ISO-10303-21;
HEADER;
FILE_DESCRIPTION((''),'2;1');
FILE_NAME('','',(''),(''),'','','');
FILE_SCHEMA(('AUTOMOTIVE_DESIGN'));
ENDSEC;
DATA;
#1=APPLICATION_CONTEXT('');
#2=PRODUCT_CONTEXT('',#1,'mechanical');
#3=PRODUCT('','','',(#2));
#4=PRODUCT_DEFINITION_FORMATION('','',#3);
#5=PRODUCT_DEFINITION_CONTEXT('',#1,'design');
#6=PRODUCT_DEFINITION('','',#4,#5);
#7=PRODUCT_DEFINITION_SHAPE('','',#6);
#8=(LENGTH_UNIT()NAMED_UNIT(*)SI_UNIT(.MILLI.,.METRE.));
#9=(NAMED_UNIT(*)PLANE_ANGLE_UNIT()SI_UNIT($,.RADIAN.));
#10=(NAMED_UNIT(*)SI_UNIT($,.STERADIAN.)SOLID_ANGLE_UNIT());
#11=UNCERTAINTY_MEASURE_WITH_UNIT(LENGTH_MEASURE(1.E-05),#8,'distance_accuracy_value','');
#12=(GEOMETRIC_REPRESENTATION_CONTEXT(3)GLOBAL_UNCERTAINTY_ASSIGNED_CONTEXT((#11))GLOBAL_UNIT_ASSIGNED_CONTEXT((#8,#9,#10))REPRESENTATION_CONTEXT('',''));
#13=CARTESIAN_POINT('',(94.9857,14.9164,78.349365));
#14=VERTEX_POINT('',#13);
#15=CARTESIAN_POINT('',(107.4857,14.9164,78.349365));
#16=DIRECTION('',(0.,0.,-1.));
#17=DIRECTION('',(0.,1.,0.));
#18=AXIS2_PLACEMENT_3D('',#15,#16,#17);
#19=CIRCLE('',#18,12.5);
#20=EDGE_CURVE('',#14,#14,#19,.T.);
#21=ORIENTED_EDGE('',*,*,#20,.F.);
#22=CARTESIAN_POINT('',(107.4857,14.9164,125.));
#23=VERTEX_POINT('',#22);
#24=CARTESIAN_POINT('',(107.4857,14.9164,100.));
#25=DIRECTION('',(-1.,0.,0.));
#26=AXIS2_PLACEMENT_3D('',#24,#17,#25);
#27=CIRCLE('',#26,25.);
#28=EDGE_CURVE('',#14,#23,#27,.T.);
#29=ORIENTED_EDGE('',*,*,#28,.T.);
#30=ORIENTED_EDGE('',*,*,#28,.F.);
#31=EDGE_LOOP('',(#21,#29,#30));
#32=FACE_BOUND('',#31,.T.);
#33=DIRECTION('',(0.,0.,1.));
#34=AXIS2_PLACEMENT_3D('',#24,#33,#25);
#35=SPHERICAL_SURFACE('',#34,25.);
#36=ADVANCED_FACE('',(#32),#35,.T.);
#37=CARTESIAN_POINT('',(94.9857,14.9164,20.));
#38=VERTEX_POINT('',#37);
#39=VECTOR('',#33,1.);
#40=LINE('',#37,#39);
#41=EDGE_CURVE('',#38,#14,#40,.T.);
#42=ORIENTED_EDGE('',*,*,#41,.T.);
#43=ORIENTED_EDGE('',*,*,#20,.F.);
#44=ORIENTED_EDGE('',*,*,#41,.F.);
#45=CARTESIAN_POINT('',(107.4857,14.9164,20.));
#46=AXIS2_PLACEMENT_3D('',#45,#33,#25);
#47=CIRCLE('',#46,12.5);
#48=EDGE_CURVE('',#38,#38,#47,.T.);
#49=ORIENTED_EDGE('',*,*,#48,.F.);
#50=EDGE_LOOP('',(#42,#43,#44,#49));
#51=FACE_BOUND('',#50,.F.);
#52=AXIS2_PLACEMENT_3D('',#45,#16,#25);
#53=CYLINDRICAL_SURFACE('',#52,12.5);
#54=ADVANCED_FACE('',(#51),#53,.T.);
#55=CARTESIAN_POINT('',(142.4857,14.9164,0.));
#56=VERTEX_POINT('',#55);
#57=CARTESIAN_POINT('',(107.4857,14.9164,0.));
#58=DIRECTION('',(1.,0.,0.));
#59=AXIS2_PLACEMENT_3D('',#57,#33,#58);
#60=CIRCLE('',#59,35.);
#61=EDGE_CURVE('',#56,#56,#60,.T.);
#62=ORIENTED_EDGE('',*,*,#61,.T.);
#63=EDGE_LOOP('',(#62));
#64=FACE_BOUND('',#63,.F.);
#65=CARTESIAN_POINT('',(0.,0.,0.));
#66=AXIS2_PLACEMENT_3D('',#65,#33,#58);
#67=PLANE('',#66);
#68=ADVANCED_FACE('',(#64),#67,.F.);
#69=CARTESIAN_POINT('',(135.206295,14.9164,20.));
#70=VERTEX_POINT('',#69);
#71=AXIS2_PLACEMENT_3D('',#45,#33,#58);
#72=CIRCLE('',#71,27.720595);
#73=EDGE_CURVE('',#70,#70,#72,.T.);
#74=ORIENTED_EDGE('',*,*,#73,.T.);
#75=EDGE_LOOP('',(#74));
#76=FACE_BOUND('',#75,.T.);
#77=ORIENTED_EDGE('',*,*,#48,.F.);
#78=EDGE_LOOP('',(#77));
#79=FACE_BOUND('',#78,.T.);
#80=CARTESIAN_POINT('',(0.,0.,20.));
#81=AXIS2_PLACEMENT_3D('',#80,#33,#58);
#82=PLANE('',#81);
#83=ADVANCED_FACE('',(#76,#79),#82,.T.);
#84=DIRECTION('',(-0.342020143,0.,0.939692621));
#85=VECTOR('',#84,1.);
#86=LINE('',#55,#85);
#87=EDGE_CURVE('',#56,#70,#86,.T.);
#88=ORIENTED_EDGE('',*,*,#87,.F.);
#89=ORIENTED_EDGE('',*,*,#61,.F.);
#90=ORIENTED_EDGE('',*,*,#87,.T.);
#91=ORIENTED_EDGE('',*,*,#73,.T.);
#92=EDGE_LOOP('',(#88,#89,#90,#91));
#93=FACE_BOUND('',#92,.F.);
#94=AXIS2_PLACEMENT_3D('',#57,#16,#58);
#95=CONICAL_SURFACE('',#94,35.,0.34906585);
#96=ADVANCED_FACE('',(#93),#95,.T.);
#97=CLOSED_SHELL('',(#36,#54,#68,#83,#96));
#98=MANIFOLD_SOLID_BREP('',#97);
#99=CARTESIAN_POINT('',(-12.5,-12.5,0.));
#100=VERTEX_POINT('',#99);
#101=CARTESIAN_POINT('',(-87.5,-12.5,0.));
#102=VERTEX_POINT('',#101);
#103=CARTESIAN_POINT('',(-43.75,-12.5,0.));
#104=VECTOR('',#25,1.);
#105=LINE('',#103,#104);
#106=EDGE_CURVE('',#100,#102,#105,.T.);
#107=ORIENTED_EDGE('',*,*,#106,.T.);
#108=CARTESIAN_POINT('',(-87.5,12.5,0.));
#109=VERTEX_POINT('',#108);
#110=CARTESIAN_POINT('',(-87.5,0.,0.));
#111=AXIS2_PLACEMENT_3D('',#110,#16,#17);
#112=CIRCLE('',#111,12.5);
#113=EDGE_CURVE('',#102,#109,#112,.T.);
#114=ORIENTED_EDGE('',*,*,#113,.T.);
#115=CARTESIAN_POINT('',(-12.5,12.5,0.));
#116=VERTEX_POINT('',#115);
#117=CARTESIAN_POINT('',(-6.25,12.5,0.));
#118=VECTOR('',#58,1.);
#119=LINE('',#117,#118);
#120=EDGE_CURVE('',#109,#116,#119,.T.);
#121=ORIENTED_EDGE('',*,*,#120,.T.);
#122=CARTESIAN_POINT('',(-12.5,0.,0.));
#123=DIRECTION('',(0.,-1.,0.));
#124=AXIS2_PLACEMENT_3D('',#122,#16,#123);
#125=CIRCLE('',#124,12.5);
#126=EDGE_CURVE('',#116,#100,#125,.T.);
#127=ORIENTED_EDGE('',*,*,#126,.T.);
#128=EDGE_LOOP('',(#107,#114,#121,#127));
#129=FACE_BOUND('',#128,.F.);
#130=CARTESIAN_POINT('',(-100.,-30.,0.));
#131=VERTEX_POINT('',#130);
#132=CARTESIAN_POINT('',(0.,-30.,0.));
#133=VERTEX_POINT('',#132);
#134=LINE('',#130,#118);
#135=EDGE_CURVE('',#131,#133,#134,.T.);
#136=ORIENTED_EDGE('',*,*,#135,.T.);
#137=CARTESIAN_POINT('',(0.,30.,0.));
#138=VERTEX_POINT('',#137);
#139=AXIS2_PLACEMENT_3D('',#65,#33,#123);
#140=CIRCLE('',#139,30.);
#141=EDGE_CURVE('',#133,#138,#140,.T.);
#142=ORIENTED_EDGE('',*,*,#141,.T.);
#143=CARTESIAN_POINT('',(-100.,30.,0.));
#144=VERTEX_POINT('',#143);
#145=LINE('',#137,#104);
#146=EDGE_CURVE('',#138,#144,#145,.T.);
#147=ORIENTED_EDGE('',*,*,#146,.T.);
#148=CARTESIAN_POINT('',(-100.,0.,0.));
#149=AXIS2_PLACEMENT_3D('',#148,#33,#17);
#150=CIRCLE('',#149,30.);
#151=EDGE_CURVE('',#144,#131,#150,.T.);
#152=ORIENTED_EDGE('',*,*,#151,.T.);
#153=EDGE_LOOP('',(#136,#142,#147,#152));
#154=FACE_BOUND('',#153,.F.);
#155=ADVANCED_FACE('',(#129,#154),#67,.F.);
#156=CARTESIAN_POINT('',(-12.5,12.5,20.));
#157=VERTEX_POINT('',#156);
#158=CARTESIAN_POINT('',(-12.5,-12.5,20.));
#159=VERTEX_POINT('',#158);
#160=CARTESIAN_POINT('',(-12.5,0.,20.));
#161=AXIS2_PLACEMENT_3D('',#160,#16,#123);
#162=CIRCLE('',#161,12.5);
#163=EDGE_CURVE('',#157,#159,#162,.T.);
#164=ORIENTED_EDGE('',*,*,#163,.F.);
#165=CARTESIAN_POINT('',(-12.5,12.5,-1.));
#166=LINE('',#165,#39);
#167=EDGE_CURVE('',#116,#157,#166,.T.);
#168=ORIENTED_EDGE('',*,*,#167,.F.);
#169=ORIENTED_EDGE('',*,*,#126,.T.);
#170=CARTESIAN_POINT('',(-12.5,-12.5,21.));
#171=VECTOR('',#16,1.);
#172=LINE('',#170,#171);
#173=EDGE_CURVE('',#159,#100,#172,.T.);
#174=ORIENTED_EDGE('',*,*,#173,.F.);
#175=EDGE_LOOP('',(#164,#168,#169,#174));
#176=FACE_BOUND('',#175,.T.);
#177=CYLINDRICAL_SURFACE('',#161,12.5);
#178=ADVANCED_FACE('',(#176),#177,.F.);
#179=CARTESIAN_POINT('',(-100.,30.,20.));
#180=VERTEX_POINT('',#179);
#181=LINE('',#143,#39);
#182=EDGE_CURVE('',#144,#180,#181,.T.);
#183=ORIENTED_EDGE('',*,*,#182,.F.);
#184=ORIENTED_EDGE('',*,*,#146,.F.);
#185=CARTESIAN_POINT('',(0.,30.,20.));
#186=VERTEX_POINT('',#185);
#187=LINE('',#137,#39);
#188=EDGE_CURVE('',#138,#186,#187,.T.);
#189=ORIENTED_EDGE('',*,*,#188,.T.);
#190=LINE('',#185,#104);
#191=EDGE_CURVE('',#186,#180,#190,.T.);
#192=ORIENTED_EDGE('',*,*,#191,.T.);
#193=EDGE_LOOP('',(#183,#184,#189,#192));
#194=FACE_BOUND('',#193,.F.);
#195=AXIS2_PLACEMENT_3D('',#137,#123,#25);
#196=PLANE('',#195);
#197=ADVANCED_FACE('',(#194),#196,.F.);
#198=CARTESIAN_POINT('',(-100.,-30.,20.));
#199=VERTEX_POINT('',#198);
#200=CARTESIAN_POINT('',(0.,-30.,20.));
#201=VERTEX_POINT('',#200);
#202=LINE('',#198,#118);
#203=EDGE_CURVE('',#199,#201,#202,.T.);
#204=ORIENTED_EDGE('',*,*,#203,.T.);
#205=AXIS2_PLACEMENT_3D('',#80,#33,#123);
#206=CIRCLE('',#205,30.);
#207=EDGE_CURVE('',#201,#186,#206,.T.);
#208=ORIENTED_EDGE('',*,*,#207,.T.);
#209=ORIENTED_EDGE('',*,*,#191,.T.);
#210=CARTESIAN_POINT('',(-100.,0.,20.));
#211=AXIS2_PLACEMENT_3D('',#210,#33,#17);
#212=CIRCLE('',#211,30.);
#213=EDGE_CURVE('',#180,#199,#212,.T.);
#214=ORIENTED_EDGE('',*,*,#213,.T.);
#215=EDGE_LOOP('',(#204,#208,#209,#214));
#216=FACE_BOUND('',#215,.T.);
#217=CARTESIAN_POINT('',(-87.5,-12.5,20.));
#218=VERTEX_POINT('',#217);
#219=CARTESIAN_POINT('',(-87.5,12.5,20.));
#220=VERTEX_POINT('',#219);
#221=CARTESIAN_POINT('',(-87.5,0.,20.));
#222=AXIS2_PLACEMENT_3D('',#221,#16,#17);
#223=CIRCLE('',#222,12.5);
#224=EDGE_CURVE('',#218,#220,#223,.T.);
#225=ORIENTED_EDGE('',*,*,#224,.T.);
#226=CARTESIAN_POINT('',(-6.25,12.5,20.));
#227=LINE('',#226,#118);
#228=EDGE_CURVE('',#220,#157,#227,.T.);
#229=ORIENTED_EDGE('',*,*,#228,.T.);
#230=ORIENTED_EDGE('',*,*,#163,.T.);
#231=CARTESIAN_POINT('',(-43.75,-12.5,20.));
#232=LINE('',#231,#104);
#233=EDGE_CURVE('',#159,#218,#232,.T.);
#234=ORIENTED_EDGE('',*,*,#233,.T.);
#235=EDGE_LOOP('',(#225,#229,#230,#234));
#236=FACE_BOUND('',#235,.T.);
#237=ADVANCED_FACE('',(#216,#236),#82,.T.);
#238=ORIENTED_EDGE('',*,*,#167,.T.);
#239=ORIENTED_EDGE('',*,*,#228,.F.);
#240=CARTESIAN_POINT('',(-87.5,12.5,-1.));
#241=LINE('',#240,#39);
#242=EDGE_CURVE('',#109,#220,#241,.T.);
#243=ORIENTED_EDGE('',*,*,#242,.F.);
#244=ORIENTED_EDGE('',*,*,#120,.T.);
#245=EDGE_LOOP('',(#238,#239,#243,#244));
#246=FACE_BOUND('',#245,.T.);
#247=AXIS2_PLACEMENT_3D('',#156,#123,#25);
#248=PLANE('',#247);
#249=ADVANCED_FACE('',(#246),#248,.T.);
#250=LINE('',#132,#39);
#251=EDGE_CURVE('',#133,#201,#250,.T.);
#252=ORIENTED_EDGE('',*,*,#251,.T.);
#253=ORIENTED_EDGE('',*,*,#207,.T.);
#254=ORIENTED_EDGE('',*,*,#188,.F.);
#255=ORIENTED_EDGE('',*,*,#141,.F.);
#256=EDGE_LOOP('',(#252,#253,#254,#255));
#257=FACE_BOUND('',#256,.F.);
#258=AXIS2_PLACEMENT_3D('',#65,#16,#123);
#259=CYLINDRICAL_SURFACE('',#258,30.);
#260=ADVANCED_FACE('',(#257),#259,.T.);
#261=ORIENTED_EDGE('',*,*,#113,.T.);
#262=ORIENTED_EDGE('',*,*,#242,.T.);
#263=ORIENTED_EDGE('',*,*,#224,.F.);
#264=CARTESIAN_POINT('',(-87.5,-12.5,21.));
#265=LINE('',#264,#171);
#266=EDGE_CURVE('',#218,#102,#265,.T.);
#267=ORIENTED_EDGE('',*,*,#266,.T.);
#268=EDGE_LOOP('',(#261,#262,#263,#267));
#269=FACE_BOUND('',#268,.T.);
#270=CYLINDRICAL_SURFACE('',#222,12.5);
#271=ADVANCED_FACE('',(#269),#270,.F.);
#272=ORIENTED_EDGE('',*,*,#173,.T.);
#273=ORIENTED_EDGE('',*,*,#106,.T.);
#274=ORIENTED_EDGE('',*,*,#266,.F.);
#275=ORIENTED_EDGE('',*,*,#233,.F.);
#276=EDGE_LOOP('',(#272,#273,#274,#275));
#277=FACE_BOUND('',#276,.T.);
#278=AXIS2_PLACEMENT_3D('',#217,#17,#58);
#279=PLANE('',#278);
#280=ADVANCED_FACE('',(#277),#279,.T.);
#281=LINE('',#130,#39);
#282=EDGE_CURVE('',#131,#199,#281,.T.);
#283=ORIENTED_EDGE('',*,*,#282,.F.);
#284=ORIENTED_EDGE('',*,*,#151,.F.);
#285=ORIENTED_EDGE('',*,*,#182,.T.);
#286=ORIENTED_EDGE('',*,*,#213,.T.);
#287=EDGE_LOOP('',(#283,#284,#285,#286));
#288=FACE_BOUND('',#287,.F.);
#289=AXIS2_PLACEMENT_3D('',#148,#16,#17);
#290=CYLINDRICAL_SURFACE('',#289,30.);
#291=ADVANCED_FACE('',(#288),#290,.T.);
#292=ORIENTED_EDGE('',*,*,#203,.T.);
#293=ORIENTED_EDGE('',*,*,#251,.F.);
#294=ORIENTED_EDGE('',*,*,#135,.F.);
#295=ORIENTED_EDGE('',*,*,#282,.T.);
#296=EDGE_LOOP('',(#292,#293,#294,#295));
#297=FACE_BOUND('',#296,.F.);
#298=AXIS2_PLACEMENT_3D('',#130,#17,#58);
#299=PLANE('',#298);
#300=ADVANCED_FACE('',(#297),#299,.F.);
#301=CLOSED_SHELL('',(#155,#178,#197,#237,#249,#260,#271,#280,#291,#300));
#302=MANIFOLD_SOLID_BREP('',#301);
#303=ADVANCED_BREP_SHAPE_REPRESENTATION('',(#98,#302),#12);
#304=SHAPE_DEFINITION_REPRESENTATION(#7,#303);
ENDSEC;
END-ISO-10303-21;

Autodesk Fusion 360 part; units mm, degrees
sketch "草图1" plane through (0, 0, 0) normal (0, 0, 1) x (1, 0, 0)
  line L0 (0, 30) -> (-100, 30)
  arc A0 (-100, 30) -> (-100, -30) centre (-100, 0) ccw
  line L1 (-100, -30) -> (0, -30)
  arc A1 (0, -30) -> (0, 30) centre (0, 0) ccw
  line L2 (0, 0) -> (-100, 0) construction
  dimension "d1" = 60
extrude "拉伸1" add sketch "草图1" along normal blind 20 makes body 1
sketch "草图2" plane through (0, 0, 20) normal (0, 0, 1) x (-1, 0, 0)
  arc A0 (0, 30) -> (0, -30) centre (0, 0) ccw
  line L0 (0, -30) -> (100, -30)
  arc A1 (100, -30) -> (100, 30) centre (100, 0) ccw
  line L1 (100, 30) -> (0, 30)
  line L2 (12.5, -12.5) -> (87.5, -12.5)
  arc A2 (87.5, -12.5) -> (87.5, 12.5) centre (87.5, 0) ccw
  line L3 (87.5, 12.5) -> (12.5, 12.5)
  arc A3 (12.5, 12.5) -> (12.5, -12.5) centre (12.5, 0) ccw
  line L4 (0, 0) -> (100, 0) construction
  dimension "d4" = 25
extrude "拉伸2" cut sketch "草图2" along normal through all and the other way through all contours L2 A2 L3 A3 bodies 1
sketch "草图3" plane through (0, 0, 0) normal (0, 0, 1) x (1, 0, 0)
  circle A0 centre (107.4857, 14.9164) radius 35
  dimension "d7" = 70
extrude "拉伸1'" add sketch "草图3" along normal blind 20 draft -20 separate body makes body 2 in component "handle"
sketch "草图4" plane through (0, 0, 20) normal (0, 0, 1) x (-1, 0, 0)
  circle A0 centre (-107.4857, -14.9164) radius 27.7206
  circle A1 centre (-107.4857, -14.9164) radius 12.5
  dimension "d10" = 25
extrude "拉伸2'" add sketch "草图4" along normal blind 80 contours A1 bodies 2 in component "handle"
sphere "球体基本要素1" add diameter 50 placed x (-1, 0, 0) y (0, -1, 0) z (0, 0, 1) at (107.4857, 14.9164, 100) bodies 2 in component "handle"
component "handle" placed x (1, 0, 0) y (0, 1, 0) z (0, 0, 1) at (0, 0, 0)
